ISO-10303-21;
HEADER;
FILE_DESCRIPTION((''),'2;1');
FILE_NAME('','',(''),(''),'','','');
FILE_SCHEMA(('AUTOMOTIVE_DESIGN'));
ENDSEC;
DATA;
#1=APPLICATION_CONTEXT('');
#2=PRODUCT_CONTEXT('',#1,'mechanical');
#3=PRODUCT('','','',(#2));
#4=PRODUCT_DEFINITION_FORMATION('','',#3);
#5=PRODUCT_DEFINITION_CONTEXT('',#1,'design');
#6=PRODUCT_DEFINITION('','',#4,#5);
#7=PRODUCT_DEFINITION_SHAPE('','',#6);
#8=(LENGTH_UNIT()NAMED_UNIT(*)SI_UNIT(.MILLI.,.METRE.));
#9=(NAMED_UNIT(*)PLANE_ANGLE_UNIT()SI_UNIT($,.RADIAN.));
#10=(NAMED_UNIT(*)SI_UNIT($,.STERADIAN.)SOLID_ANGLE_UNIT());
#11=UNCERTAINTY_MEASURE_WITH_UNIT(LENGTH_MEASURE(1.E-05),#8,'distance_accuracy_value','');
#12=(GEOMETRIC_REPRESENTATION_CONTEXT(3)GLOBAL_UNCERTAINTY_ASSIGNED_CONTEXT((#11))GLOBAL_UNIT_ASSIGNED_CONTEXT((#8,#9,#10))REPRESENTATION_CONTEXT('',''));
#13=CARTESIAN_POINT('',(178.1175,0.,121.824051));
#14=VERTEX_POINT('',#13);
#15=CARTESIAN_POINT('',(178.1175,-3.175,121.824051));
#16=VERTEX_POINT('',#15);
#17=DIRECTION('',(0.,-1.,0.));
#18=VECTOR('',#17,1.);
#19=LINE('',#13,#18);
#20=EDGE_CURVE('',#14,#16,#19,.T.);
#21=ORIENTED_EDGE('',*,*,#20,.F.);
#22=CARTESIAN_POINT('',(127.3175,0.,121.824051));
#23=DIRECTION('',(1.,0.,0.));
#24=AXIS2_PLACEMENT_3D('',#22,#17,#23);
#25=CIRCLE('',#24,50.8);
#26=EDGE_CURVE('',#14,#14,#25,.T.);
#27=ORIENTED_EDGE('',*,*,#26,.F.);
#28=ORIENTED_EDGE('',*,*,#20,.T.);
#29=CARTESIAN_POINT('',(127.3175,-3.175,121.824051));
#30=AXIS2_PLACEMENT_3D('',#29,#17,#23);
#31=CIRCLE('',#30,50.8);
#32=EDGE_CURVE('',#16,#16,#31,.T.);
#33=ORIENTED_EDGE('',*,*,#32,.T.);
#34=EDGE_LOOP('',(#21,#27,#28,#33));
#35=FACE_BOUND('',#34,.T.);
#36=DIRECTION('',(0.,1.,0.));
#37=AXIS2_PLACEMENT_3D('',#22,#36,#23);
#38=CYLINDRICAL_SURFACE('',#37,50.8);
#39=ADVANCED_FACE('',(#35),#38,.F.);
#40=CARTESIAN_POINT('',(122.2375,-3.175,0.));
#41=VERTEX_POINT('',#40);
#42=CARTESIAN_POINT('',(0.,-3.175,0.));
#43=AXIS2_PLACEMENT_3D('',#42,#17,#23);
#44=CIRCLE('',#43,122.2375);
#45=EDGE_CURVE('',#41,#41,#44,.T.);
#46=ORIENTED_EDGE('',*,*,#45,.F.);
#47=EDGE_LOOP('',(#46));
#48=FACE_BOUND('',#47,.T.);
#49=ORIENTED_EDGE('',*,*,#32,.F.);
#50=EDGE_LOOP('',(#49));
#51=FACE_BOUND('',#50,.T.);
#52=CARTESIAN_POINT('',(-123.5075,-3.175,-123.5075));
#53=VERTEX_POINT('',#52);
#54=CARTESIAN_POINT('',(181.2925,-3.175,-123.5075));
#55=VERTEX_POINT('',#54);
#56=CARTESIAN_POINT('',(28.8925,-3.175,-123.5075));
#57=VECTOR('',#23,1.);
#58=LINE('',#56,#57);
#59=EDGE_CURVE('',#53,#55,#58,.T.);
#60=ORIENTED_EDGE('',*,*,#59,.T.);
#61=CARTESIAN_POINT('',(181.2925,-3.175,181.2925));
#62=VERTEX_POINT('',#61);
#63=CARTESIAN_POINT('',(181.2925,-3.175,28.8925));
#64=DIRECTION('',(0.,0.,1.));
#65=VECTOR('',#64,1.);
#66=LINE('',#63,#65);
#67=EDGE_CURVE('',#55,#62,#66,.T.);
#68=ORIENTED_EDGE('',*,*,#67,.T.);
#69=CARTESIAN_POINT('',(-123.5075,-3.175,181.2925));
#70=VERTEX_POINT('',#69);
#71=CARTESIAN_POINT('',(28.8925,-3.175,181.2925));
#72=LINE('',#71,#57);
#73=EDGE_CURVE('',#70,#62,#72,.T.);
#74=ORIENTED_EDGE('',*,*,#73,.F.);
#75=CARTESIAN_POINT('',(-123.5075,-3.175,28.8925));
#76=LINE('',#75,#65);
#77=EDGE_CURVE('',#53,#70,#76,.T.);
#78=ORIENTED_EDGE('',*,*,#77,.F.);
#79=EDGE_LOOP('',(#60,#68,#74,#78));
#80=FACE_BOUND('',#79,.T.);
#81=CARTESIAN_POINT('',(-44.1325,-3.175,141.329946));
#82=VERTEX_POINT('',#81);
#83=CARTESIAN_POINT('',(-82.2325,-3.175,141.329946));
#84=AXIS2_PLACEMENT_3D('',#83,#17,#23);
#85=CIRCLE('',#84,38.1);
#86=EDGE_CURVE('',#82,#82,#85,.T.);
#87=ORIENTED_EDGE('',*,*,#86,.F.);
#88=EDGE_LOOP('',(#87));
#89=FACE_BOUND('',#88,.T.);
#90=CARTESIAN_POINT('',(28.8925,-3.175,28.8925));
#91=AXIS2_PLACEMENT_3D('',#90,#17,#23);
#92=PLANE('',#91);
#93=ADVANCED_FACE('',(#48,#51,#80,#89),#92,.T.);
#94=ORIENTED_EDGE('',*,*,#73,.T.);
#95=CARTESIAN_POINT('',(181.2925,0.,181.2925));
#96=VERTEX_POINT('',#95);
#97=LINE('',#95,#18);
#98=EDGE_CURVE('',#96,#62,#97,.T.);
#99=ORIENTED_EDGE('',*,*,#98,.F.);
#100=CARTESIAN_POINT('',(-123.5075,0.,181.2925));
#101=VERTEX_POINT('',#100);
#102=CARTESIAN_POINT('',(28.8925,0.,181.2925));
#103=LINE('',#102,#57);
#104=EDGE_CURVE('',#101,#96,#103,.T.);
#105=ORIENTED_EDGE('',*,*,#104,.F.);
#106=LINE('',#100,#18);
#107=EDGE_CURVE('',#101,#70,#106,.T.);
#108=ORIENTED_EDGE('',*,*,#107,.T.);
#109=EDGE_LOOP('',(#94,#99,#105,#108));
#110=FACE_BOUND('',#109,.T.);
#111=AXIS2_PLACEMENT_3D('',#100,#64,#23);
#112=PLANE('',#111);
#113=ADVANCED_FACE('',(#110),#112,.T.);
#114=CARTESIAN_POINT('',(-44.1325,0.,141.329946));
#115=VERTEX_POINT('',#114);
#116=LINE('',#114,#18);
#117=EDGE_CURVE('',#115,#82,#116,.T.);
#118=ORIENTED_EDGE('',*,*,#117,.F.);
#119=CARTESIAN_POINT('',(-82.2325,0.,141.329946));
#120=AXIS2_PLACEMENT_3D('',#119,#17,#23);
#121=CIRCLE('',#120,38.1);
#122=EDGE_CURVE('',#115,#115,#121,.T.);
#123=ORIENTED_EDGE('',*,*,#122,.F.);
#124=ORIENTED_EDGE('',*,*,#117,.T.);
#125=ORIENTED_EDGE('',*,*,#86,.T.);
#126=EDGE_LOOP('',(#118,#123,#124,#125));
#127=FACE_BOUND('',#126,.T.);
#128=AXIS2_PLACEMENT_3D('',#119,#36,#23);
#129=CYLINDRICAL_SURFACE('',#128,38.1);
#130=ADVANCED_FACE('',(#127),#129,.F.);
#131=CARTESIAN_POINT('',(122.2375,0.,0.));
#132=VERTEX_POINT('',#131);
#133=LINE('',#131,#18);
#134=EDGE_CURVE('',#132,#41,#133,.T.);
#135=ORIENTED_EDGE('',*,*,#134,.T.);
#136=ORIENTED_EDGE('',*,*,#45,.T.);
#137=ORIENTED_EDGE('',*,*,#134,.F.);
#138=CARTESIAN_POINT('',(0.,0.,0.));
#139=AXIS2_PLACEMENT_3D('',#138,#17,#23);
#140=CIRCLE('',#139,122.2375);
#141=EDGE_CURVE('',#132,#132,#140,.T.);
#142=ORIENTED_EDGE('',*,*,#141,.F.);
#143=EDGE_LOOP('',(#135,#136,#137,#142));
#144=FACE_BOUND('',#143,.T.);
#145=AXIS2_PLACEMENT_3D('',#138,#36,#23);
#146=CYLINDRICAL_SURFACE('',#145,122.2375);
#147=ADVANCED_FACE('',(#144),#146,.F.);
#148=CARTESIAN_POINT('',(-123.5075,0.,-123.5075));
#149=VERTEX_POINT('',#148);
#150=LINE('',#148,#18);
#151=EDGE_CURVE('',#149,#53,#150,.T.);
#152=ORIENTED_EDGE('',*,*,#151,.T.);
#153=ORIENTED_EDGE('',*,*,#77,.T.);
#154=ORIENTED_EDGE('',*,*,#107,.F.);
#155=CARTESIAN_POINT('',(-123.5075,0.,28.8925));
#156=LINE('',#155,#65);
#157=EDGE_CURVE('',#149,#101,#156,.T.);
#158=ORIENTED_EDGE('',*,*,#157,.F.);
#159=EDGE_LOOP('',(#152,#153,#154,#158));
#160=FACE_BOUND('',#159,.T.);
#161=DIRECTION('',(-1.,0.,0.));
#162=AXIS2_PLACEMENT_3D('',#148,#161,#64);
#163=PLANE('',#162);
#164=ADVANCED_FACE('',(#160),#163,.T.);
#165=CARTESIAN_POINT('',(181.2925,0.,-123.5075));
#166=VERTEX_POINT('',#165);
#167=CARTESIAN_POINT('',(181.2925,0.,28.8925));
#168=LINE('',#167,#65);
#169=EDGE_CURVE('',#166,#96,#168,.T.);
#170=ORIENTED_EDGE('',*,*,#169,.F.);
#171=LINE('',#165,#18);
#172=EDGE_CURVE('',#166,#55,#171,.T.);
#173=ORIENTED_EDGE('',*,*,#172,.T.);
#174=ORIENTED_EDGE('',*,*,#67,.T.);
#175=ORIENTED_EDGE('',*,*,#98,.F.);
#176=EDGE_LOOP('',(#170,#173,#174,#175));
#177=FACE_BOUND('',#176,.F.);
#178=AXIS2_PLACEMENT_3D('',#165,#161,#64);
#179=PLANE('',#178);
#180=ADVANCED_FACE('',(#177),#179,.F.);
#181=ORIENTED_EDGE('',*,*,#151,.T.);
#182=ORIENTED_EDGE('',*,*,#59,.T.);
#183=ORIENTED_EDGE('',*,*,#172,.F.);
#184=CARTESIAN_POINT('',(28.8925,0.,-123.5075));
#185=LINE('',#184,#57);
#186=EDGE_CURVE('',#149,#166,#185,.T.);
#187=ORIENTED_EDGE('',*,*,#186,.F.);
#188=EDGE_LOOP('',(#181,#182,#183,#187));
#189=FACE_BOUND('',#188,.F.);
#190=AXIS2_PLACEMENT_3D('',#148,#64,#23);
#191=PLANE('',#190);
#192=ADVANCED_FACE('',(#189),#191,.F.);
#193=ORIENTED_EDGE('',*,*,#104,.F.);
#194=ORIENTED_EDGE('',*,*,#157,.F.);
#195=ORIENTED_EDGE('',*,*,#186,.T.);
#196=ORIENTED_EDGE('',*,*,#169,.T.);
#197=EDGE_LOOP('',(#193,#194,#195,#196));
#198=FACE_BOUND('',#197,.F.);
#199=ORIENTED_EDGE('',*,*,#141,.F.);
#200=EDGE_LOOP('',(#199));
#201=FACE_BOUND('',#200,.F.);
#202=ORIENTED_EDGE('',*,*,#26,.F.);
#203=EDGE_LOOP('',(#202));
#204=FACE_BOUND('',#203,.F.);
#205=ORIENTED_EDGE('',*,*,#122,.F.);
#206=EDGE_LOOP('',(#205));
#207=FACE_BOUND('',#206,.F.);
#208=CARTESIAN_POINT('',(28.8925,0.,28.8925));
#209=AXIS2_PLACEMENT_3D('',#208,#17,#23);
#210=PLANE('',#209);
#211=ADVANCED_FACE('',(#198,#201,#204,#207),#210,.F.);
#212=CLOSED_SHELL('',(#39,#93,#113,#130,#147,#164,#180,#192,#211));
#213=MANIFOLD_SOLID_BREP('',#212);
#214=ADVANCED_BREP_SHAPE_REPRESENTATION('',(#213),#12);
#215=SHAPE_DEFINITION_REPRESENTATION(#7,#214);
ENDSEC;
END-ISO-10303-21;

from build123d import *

# Parameters (mm, degrees)
F0_W     = 304.8
F0_H     = 304.8
F0_R     = 122.2375
F0_R_2   = 38.1
F0_R_3   = 50.8
F1_DEPTH = 3.175


with BuildPart() as f1:
    # F0 (on Front) → F1 (new body)
    with BuildSketch(Plane.XZ):
        with Locations((28.8925, 28.8925)):
            Rectangle(F0_W, F0_H)
        Circle(F0_R, mode=Mode.SUBTRACT)
        with Locations((-82.2325, 141.329946)):
            Circle(F0_R_2, mode=Mode.SUBTRACT)
        with Locations((127.3175, 121.824051)):
            Circle(F0_R_3, mode=Mode.SUBTRACT)
    extrude(amount=F1_DEPTH)


solid = f1.part
